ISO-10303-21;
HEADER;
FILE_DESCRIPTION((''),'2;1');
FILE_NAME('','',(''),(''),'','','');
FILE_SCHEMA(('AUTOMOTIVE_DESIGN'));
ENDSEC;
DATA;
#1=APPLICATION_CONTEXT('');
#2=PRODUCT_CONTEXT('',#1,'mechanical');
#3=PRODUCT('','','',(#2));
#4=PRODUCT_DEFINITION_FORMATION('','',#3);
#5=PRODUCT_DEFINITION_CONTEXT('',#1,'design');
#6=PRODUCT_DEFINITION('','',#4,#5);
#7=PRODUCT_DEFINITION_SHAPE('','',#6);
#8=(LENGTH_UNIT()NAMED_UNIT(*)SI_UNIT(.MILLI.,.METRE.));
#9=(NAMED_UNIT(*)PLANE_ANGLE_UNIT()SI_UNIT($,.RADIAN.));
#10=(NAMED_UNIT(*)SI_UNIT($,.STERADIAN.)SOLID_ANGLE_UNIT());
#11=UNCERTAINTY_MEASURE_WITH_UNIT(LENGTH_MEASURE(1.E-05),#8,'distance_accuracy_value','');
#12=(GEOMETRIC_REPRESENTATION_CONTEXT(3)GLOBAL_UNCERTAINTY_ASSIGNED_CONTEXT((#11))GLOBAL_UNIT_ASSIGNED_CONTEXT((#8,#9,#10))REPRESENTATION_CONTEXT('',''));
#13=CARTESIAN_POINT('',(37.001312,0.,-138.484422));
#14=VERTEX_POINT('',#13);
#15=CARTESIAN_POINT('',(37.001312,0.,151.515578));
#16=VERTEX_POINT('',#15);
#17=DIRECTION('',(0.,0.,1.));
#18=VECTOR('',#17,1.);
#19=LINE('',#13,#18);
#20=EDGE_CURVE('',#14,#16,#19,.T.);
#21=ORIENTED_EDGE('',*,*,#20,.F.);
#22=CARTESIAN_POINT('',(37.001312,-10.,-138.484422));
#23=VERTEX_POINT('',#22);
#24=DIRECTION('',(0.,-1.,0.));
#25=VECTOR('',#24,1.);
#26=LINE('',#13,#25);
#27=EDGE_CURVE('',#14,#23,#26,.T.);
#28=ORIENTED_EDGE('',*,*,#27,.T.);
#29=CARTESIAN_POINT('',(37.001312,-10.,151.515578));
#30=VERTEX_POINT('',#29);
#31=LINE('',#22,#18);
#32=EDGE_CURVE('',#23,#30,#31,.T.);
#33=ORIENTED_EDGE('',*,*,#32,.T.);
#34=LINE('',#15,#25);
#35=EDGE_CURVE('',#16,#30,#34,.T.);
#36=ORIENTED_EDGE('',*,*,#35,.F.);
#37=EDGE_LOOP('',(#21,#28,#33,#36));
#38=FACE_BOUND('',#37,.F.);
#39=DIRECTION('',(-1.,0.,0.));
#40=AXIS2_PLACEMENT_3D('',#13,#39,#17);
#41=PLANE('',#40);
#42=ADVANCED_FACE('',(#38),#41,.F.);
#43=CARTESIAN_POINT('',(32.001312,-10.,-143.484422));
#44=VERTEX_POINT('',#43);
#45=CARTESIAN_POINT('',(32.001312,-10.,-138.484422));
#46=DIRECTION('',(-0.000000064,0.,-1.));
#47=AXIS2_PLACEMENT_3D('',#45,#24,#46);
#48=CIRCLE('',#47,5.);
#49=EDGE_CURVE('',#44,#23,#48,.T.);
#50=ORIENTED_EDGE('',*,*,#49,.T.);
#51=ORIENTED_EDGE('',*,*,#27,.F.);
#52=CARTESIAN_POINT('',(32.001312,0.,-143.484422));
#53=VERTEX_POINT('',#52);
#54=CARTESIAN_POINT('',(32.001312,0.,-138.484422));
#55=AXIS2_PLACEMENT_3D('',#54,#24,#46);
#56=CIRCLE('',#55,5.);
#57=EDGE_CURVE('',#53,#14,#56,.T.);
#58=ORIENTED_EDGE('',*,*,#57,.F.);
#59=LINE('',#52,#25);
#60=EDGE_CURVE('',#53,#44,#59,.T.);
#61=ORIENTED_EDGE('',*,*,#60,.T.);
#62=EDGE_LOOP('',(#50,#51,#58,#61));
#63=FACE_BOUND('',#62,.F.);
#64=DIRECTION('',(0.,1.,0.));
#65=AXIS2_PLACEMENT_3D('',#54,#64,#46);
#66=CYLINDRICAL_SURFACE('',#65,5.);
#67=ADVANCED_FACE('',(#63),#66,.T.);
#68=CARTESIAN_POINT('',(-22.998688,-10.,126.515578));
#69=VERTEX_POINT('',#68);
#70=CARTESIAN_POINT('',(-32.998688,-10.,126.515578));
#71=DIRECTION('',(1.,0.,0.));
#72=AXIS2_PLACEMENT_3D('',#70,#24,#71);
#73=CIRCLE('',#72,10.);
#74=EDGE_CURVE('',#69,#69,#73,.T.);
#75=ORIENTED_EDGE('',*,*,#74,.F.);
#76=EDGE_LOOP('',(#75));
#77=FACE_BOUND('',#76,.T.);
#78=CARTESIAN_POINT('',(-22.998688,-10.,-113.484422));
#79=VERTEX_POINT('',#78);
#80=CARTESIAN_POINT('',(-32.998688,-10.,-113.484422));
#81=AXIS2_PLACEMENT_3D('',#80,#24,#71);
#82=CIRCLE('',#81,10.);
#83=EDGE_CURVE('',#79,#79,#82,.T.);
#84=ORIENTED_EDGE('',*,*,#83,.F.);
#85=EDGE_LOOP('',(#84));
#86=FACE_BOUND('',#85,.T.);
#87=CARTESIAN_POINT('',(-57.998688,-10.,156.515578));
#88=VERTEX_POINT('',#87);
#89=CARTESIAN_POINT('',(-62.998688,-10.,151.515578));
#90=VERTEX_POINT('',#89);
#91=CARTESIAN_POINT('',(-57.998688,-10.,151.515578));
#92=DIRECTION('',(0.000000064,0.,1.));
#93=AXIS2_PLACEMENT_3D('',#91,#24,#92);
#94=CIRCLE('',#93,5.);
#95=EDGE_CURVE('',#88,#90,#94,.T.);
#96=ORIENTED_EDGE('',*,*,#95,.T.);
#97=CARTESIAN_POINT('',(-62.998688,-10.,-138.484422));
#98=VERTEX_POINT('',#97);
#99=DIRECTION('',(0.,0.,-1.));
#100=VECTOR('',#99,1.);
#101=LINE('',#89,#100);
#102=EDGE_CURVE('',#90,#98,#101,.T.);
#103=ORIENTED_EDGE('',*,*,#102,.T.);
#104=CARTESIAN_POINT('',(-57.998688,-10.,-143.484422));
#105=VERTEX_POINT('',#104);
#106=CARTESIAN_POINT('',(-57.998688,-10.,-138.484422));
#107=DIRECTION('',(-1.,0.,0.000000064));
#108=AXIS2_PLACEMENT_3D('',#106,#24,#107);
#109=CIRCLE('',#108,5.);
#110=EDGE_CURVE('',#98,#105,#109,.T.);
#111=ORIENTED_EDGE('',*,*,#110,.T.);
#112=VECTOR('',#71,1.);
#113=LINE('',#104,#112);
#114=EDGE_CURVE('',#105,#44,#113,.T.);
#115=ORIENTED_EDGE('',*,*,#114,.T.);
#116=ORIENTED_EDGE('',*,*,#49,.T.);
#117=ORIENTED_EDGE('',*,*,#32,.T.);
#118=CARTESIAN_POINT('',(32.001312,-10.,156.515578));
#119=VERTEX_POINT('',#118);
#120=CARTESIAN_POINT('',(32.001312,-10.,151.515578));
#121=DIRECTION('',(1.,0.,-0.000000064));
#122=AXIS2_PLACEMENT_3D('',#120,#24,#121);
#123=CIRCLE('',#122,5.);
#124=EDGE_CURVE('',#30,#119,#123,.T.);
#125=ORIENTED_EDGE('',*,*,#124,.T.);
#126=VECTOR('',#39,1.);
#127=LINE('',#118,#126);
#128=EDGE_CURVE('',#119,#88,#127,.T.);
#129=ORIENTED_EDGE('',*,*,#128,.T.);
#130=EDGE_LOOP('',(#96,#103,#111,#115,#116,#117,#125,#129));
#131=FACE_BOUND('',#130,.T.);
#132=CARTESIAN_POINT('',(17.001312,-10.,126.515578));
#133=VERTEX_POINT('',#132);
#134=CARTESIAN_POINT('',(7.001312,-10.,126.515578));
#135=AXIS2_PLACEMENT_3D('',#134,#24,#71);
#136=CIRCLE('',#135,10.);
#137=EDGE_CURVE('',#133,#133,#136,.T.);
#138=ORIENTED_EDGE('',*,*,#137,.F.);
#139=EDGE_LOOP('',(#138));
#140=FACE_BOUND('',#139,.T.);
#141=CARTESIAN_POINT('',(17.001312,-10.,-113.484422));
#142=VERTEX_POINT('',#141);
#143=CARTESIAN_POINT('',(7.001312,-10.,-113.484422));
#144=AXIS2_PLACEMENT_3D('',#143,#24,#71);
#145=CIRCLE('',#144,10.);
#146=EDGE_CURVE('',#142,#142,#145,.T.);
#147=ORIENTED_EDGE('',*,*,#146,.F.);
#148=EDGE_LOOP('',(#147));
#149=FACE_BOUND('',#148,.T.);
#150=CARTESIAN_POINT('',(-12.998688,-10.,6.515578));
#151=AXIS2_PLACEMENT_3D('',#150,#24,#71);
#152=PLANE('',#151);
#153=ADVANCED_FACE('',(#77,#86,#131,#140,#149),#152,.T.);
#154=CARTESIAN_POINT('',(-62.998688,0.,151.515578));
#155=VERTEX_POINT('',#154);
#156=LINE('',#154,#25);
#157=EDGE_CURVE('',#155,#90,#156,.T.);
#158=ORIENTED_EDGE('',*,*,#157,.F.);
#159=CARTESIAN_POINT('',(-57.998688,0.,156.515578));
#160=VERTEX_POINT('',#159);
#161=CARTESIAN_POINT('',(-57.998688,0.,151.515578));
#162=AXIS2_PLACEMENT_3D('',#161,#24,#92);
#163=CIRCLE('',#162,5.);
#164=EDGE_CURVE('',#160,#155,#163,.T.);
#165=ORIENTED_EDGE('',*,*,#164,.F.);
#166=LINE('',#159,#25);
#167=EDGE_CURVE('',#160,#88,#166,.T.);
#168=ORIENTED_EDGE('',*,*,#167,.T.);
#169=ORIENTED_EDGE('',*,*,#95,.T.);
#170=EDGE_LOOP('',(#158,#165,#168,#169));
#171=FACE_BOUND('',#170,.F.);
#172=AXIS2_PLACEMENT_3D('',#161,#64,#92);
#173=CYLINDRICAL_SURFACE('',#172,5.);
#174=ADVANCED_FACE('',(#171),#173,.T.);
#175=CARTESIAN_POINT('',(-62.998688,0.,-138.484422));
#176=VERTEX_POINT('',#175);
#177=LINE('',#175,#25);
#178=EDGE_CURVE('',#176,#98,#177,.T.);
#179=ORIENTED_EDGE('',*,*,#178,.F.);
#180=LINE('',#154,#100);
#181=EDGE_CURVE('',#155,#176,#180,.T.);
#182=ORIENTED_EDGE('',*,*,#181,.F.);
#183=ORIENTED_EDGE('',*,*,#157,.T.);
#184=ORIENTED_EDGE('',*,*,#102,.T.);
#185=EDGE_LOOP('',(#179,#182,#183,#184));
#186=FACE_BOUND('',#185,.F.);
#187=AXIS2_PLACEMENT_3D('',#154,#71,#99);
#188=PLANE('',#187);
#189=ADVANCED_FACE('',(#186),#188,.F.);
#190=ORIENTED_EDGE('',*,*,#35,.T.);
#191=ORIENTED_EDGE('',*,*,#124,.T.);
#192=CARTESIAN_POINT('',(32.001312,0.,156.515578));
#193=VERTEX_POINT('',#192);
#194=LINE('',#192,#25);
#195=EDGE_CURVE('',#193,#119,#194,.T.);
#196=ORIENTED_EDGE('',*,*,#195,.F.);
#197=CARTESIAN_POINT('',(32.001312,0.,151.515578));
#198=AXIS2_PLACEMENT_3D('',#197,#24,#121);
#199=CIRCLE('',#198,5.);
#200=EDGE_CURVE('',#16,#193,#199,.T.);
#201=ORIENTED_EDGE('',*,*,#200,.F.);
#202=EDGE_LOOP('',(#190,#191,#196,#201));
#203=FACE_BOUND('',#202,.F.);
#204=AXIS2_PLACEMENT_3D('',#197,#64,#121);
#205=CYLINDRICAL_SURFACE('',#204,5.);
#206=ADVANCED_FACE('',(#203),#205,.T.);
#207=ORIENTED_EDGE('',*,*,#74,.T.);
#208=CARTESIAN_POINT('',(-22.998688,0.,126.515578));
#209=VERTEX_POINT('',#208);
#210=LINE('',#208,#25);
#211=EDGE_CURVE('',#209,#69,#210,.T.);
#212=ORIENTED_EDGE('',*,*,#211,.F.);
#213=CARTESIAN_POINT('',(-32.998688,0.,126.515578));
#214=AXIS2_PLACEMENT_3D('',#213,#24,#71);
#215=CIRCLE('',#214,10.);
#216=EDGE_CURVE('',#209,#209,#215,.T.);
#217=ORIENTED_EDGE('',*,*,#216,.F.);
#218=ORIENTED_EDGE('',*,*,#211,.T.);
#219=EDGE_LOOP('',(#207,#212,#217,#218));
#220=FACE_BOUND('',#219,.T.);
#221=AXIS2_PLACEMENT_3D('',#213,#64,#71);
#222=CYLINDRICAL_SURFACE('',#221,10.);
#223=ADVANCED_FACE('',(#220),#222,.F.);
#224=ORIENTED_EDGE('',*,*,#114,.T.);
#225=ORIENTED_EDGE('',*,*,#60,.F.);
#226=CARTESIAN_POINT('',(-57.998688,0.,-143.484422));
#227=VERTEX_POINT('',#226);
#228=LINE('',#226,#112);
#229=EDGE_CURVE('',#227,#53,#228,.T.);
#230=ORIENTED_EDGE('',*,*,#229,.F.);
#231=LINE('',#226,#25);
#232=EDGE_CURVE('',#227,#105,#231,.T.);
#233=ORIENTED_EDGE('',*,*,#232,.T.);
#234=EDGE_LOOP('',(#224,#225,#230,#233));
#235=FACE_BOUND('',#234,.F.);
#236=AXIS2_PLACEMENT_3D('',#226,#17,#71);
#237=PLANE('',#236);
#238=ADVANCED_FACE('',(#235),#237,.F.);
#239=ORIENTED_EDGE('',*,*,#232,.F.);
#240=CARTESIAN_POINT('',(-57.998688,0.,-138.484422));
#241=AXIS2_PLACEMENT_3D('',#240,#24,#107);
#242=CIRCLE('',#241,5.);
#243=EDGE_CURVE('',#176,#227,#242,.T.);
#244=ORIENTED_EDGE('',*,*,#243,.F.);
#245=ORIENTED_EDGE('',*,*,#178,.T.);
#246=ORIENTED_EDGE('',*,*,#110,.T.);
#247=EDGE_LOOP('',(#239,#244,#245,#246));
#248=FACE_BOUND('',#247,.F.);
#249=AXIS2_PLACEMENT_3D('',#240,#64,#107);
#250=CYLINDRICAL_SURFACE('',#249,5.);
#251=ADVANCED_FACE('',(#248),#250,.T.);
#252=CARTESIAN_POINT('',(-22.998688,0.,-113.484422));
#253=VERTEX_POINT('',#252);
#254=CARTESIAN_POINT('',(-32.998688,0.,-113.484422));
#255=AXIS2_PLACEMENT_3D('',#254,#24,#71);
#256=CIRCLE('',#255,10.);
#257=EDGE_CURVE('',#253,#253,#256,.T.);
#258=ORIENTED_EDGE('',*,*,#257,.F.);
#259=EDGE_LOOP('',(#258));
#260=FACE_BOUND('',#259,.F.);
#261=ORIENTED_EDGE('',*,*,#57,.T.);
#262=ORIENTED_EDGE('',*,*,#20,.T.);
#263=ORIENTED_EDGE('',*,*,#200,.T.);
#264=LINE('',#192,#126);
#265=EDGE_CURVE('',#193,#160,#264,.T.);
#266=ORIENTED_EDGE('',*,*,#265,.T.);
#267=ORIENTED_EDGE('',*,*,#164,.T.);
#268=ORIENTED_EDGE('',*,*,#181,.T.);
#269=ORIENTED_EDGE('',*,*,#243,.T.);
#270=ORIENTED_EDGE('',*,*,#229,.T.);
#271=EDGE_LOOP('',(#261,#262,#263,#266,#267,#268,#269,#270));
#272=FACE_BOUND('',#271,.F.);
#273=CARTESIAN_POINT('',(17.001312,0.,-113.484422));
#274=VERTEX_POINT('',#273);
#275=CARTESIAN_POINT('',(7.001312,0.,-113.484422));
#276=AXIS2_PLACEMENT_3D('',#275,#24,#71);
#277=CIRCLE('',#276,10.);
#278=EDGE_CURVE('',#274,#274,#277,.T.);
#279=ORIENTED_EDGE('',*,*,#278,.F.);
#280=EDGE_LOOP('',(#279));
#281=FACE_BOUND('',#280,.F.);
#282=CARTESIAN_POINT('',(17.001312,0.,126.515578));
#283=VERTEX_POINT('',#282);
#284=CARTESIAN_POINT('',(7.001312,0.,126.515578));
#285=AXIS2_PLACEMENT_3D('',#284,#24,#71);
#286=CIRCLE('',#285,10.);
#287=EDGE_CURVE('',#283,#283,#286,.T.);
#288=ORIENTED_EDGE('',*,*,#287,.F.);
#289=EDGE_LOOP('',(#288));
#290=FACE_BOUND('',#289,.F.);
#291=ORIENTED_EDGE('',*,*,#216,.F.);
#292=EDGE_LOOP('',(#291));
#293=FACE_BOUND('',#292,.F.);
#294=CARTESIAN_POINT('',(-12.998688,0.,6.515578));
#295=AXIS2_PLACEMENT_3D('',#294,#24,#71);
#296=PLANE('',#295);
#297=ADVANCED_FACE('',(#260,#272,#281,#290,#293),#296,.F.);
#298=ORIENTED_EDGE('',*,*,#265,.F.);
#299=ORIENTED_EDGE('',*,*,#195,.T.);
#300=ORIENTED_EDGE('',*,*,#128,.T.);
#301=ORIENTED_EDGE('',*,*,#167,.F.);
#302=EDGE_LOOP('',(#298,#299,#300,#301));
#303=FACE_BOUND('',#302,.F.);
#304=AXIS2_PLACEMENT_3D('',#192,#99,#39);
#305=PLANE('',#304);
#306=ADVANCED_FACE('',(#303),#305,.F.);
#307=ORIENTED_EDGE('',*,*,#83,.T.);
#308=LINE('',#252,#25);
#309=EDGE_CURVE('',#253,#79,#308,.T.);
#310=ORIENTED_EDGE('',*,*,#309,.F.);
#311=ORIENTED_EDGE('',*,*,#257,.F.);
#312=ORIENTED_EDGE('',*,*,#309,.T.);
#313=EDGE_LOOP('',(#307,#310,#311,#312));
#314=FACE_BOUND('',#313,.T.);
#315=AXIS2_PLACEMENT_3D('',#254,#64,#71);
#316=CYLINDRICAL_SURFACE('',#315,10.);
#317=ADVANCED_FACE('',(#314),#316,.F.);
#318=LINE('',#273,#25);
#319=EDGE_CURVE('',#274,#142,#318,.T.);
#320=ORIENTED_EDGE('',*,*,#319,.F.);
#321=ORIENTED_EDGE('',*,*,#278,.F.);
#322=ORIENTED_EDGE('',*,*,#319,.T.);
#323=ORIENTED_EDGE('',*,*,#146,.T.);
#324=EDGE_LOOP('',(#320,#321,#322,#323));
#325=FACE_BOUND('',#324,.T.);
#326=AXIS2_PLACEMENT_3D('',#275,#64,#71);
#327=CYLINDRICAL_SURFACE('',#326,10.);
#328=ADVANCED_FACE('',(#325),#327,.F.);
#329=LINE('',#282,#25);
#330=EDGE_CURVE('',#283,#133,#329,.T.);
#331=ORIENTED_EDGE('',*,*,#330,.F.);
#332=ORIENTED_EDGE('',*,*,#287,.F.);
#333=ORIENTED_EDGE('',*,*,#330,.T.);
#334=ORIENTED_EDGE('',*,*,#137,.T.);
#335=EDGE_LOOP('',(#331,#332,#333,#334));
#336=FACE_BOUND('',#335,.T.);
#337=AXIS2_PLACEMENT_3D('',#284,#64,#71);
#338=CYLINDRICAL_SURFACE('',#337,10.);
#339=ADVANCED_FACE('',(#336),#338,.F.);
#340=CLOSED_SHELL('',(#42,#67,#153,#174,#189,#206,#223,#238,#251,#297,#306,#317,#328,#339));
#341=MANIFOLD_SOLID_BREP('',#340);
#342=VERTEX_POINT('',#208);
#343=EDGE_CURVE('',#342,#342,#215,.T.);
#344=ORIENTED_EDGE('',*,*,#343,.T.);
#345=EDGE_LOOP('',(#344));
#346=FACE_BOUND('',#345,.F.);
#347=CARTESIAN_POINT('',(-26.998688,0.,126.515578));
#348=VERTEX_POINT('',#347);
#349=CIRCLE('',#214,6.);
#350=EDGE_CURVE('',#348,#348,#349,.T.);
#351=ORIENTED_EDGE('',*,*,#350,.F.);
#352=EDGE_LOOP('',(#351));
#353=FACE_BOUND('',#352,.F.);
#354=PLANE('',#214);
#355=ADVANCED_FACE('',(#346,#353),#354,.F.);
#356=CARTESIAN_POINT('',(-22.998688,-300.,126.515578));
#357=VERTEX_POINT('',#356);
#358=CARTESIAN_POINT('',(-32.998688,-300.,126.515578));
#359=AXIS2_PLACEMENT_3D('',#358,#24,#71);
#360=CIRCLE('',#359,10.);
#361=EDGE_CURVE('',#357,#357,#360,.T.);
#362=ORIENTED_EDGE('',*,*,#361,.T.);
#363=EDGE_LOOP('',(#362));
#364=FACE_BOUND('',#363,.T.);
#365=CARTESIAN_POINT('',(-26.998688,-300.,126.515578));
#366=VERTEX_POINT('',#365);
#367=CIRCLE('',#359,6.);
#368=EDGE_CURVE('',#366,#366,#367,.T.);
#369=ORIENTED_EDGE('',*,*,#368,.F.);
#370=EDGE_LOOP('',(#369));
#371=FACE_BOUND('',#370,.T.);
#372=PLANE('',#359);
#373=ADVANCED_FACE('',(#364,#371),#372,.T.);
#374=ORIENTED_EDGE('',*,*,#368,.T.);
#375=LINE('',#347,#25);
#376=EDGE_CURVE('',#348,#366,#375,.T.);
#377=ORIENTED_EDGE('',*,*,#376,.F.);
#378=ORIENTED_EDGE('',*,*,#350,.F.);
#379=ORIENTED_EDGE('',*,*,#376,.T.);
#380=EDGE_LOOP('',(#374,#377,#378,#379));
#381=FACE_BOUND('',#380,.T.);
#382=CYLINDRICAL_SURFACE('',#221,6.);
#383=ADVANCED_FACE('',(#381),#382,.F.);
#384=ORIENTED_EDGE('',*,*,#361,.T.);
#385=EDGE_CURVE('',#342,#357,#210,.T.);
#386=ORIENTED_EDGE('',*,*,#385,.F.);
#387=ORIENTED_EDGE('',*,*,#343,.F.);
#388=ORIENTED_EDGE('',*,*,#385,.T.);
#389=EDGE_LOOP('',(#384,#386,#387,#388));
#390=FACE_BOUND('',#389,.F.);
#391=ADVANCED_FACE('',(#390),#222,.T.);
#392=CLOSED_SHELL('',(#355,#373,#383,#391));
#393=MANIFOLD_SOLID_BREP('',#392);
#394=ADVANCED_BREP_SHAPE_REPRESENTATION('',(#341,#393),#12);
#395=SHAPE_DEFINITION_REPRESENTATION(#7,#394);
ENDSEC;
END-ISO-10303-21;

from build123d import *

# Parameters (mm, degrees)
F0_R     = 10
F1_DEPTH = 10
F0_R_2   = 6
F2_DEPTH = 300


with BuildPart() as f1:
    # F0 (on Front) → F1 (new body)
    with BuildSketch(Plane.XZ):
        with BuildLine():
            Line((32.001312, 156.515578), (-57.998688, 156.515578))
            ThreePointArc((-57.998688, 156.515578), (-61.534222, 155.051112), (-62.998688, 151.515578))
            Line((-62.998688, 151.515578), (-62.998688, -138.484422))
            ThreePointArc((-62.998688, -138.484422), (-61.534222, -142.019956), (-57.998688, -143.484422))
            Line((-57.998688, -143.484422), (32.001312, -143.484422))
            ThreePointArc((32.001312, -143.484422), (35.536846, -142.019956), (37.001312, -138.484422))
            Line((37.001312, -138.484422), (37.001312, 151.515578))
            ThreePointArc((37.001312, 151.515578), (35.536846, 155.051112), (32.001312, 156.515578))
        make_face()
        with Locations((-32.998688, -113.484422)):
            Circle(F0_R, mode=Mode.SUBTRACT)
        with Locations((7.001312, -113.484422)):
            Circle(F0_R, mode=Mode.SUBTRACT)
        with Locations((-32.998688, 126.515578)):
            Circle(F0_R, mode=Mode.SUBTRACT)
        with Locations((7.001312, 126.515578)):
            Circle(F0_R, mode=Mode.SUBTRACT)
    extrude(amount=F1_DEPTH)


with BuildPart() as f2:
    # F0 (on Front) → F2 (new body)
    with BuildSketch(Plane.XZ):
        with Locations((-32.998688, 126.515578)):
            Circle(F0_R)
        with Locations((-32.998688, 126.515578)):
            Circle(F0_R_2, mode=Mode.SUBTRACT)
    extrude(amount=F2_DEPTH)


solid = Compound([f1.part, f2.part])
